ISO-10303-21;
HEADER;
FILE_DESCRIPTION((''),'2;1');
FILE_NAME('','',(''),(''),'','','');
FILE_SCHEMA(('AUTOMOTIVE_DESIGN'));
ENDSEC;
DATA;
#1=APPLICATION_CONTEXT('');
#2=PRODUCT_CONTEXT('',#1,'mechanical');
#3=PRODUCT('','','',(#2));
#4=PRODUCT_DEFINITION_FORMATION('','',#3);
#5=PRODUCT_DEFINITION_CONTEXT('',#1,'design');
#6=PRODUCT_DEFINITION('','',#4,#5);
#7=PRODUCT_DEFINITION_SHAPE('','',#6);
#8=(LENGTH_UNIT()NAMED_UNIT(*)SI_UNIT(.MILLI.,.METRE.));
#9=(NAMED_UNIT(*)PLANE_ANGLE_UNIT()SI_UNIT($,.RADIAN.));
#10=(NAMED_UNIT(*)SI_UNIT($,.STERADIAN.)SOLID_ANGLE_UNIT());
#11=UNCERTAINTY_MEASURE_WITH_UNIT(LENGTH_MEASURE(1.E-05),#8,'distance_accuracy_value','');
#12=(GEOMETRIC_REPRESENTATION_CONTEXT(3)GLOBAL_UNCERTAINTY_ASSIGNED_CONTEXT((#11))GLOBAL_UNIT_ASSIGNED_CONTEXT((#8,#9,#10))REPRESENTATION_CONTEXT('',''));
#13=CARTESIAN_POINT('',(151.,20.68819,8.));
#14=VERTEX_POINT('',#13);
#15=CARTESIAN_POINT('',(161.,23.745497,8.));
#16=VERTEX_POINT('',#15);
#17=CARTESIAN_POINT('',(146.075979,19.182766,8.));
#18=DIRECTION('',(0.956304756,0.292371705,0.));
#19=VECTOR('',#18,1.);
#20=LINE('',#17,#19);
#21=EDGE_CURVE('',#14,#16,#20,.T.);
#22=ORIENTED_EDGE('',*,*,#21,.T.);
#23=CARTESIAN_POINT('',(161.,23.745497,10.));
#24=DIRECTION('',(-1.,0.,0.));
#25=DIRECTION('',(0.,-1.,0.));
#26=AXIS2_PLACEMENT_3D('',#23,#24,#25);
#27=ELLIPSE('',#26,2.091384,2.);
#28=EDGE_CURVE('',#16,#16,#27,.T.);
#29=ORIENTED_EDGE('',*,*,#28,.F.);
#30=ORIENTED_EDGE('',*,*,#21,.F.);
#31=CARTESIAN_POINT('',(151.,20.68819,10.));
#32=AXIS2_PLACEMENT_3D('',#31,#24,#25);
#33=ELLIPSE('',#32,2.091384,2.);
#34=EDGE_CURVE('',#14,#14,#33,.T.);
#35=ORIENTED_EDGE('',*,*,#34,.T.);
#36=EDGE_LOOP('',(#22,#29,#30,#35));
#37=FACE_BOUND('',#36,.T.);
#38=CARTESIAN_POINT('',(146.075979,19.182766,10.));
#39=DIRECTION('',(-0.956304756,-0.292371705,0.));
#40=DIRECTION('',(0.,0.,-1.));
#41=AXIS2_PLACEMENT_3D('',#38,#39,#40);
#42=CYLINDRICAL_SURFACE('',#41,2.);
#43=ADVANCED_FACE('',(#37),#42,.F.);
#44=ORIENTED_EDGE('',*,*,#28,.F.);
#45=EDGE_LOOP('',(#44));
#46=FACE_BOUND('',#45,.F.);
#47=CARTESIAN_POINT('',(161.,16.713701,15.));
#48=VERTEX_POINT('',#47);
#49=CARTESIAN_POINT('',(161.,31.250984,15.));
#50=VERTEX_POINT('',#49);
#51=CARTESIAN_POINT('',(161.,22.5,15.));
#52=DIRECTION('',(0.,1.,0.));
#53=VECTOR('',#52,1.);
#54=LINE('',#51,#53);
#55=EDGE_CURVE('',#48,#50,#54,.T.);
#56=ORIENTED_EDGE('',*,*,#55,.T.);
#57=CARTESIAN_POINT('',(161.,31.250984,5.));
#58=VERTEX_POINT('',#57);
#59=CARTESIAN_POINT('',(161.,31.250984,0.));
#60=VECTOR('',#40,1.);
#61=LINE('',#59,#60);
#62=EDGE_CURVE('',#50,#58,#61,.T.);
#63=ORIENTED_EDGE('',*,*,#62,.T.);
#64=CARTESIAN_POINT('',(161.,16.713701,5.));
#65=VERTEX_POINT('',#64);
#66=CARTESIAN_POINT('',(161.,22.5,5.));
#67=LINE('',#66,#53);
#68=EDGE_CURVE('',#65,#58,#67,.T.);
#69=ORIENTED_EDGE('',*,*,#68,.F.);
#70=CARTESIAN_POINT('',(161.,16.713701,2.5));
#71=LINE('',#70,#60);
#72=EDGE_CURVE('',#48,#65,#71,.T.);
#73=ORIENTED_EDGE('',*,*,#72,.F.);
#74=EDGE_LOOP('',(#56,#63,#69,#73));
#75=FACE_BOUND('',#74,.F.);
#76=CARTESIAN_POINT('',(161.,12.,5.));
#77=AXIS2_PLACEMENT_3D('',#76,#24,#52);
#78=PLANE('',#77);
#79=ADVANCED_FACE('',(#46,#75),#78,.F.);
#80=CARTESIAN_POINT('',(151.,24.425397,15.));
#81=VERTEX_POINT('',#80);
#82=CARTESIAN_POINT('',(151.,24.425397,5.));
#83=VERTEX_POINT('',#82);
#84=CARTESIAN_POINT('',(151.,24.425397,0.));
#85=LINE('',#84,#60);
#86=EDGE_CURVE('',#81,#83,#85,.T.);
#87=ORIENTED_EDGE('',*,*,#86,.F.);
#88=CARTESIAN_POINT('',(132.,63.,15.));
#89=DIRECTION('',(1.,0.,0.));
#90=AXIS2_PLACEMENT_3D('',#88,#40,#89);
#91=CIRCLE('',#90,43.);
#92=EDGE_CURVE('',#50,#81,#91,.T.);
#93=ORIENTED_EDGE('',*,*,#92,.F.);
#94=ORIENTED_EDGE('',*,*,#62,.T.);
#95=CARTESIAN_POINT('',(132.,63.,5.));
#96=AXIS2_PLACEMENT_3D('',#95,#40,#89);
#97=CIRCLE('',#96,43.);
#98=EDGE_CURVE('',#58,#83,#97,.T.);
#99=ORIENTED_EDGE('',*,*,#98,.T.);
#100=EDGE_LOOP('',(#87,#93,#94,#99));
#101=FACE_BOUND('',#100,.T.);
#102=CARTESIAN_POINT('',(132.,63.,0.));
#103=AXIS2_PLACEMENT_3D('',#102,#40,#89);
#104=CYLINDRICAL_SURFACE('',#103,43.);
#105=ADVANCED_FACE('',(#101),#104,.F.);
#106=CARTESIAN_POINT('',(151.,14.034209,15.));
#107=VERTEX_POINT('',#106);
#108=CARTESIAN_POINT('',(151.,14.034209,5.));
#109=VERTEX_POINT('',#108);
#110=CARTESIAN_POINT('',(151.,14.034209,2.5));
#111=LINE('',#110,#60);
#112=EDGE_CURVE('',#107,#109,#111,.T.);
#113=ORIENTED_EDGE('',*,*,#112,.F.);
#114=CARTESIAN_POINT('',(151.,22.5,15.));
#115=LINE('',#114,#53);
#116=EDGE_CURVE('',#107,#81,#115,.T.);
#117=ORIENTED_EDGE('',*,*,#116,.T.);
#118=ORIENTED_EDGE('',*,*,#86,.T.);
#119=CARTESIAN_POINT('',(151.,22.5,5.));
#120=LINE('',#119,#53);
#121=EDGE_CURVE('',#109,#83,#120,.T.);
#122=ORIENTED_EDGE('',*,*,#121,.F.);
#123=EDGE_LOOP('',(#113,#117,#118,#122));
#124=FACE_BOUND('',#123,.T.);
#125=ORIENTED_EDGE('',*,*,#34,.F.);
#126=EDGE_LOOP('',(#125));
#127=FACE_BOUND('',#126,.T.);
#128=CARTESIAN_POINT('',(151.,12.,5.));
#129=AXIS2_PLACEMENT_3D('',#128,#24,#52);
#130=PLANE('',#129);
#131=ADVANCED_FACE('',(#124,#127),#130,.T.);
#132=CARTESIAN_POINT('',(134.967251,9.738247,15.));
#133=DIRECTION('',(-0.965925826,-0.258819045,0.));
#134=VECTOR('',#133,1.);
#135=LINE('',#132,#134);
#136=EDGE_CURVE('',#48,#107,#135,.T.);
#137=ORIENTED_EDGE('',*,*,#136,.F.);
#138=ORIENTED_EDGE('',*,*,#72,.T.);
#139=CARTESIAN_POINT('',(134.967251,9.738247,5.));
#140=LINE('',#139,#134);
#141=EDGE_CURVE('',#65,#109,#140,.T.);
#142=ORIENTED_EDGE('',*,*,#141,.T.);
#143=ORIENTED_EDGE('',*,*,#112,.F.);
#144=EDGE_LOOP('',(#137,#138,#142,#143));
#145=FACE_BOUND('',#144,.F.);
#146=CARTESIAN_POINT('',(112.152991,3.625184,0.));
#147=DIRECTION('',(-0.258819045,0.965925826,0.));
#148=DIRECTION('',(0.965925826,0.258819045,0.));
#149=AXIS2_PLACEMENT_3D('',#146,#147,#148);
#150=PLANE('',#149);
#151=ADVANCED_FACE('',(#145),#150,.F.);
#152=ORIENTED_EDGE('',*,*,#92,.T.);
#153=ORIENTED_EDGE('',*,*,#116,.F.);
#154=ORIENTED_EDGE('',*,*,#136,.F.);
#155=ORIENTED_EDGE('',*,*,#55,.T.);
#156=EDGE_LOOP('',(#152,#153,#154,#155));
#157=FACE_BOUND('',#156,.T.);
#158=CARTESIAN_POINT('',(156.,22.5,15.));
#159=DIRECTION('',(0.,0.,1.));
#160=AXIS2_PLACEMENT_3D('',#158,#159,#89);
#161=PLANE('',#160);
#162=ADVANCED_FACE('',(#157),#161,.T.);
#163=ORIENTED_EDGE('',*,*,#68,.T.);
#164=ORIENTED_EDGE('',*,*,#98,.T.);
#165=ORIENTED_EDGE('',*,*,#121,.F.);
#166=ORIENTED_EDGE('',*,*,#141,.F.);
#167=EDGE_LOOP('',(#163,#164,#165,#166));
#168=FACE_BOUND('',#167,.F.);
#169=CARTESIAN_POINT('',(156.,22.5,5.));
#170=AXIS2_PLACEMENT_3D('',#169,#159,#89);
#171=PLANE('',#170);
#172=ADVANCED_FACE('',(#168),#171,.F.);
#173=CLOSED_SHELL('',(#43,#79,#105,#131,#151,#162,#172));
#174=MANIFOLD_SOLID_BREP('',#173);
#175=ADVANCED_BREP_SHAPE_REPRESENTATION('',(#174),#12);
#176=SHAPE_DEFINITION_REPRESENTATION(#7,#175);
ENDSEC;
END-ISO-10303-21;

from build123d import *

# Parameters (mm, degrees)
CYLINDER018_R               = 2
CYLINDER018_DEPTH           = 18
CYLINDER018_PITCH_ANGLE     = 90
CYLINDER018_PLACEMENT_ANGLE = 17
BOX022_W                    = 65
BOX022_H                    = 11
BOX022_DEPTH                = 20
BOX022_PLACEMENT_ANGLE      = 15
CYLINDER017_R               = 43
CYLINDER017_DEPTH           = 19
BOX020_W                    = 10
BOX020_H                    = 21
BOX020_DEPTH                = 10


with BuildPart() as cylinder018:
    # Cylinder018 → Cylinder018 (new body)
    with BuildSketch(Plane.XY):
        Circle(CYLINDER018_R)
    extrude(amount=CYLINDER018_DEPTH)


with BuildPart() as cylinder018_1:
    # Cylinder018 pitch: moved
    add(cylinder018.part.rotate(Axis((0, 0, 0), (0, 1, 0)), CYLINDER018_PITCH_ANGLE))


with BuildPart() as cylinder018_2:
    # Cylinder018 placement: moved
    add(cylinder018_1.part.moved(Location((146.075979, 19.182766, 10))).rotate(Axis((146.075979, 19.182766, 10), (0, 0, 1)), CYLINDER018_PLACEMENT_ANGLE))


with BuildPart() as cube022:
    # Box022 → Box022 (new body)
    with BuildSketch(Plane.XY):
        with Locations((32.5, 5.5)):
            Rectangle(BOX022_W, BOX022_H)
    extrude(amount=BOX022_DEPTH)


with BuildPart() as cube022_1:
    # Box022 placement: moved
    add(cube022.part.moved(Location((115, -7, 0))).rotate(Axis((115, -7, 0), (0, 0, 1)), BOX022_PLACEMENT_ANGLE))


with BuildPart() as cylinder017:
    # Cylinder017 → Cylinder017 (new body)
    with BuildSketch(Plane(origin=(132, 63, 0), x_dir=(1, 0, 0), z_dir=(0, 0, 1))):
        Circle(CYLINDER017_R)
    extrude(amount=CYLINDER017_DEPTH)


with BuildPart() as cut028:
    # Box020 → Box020 (new body)
    with BuildSketch(Plane(origin=(151, 12, 5), x_dir=(1, 0, 0), z_dir=(0, 0, 1))):
        with Locations((5, 10.5)):
            Rectangle(BOX020_W, BOX020_H)
    extrude(amount=BOX020_DEPTH)

    # Cut026: cut Cylinder017
    add(cylinder017.part, mode=Mode.SUBTRACT)

    # Cut027: cut Cube022
    add(cube022_1.part, mode=Mode.SUBTRACT)

    # Cut028: cut Cylinder018
    add(cylinder018_2.part, mode=Mode.SUBTRACT)


solid = cut028.part
